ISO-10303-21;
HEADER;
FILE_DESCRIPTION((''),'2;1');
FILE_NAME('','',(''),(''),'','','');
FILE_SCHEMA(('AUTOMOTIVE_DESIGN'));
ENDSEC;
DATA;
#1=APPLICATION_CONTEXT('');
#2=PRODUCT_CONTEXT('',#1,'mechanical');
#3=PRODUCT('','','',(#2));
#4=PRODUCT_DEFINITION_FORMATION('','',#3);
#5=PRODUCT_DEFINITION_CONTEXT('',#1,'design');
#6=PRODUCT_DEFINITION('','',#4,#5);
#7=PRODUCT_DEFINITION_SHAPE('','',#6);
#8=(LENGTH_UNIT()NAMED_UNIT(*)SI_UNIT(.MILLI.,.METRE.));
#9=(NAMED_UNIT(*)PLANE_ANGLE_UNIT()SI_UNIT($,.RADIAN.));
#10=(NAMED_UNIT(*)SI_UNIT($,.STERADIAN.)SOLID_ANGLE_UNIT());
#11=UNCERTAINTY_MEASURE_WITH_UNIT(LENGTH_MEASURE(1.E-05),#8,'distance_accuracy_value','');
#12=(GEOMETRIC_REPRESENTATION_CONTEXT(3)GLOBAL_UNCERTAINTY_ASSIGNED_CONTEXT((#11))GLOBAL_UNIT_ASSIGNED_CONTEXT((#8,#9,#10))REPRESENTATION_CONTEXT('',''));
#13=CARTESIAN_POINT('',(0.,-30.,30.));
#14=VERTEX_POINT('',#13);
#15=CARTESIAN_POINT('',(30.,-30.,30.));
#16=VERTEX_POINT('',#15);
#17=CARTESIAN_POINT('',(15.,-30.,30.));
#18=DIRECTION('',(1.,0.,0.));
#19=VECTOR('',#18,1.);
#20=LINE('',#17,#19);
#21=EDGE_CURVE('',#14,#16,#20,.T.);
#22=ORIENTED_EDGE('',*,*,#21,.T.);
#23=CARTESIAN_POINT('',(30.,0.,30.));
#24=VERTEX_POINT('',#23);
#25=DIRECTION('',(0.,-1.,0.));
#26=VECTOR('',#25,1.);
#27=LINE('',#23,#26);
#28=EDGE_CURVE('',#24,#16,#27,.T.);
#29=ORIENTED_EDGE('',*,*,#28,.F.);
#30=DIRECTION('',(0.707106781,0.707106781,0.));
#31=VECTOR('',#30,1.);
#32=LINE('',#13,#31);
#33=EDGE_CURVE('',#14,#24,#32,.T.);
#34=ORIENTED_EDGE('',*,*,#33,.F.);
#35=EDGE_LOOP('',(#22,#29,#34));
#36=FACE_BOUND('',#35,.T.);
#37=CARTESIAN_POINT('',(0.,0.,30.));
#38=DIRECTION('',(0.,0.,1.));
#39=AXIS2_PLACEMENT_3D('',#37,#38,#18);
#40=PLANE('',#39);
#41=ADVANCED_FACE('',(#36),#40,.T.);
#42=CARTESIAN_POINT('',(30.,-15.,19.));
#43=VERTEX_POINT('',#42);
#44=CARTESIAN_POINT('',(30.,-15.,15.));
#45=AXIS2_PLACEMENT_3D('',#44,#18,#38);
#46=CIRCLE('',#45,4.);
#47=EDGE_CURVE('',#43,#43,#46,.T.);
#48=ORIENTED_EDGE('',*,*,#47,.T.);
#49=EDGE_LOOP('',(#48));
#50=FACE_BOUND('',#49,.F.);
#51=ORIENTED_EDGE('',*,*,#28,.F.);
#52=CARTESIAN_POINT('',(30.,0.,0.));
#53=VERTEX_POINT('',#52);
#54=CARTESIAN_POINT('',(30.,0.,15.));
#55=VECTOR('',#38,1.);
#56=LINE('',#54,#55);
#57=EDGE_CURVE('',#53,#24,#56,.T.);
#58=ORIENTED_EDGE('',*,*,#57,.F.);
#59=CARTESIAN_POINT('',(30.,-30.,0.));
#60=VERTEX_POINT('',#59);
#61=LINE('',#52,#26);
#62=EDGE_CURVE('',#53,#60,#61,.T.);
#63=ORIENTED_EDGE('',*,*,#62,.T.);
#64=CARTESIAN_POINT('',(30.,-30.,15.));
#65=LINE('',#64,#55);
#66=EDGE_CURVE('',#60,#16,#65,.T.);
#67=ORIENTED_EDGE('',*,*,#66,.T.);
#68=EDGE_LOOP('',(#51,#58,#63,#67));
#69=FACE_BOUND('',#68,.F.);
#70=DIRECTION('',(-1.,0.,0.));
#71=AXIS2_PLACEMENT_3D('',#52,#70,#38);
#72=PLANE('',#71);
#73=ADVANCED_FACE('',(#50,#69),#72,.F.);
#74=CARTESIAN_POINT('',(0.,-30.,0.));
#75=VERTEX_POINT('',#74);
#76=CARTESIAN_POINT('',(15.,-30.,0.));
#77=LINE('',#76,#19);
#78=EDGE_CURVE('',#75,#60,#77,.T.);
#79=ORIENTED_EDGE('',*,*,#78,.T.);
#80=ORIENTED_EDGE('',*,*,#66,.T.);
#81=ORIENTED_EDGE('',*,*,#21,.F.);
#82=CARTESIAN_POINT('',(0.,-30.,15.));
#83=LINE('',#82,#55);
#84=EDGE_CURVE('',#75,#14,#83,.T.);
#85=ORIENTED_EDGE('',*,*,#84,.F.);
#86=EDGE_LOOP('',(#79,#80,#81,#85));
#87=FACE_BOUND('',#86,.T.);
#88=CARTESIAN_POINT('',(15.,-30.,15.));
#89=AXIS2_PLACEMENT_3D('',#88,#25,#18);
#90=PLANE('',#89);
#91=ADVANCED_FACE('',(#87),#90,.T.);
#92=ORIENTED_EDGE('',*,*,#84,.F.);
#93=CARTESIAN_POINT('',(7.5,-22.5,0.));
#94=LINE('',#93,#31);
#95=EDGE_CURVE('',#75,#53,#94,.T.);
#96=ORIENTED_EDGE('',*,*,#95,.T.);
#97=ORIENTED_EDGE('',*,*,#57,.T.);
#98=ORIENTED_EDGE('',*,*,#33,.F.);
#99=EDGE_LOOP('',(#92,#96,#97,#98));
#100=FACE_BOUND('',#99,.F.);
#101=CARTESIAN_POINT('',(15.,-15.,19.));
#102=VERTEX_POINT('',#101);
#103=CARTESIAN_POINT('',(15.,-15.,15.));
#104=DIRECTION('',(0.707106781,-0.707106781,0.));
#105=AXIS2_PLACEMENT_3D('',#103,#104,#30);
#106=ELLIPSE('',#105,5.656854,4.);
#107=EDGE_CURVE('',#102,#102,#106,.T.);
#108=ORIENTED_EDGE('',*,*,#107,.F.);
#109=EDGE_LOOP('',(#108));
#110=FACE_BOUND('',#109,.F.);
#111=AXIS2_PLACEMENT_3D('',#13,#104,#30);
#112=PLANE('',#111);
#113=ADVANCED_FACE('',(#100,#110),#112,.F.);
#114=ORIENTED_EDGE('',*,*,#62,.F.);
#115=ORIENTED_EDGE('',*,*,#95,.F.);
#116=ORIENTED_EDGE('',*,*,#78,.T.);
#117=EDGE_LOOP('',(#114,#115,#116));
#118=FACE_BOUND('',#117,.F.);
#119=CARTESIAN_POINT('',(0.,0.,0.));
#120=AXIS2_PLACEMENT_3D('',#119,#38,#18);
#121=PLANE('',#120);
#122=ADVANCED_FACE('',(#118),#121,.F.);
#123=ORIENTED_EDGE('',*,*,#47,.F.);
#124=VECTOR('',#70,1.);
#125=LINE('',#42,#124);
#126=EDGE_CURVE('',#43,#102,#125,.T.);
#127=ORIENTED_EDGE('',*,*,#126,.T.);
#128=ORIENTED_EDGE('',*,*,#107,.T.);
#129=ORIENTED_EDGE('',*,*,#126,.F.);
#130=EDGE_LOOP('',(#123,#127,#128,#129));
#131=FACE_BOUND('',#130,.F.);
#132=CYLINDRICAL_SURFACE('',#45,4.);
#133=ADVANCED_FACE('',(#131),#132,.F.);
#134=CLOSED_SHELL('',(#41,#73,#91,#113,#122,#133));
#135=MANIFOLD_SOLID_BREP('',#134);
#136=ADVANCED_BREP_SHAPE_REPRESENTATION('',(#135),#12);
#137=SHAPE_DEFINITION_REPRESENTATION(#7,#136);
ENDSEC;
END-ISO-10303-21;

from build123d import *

# Parameters (mm, degrees)
SKETCH_W        = 30
SKETCH_H        = 30
PAD_DEPTH       = 30
POCKET_DEPTH    = 30.001
SKETCH002_R     = 4
POCKET001_DEPTH = 30.001


with BuildPart() as part:
    # Sketch → Pad (new body)
    with BuildSketch(Plane.XZ):
        with Locations((15, 15)):
            Rectangle(SKETCH_W, SKETCH_H)
    extrude(amount=PAD_DEPTH)

    # Sketch001 (on Face3 of Pad) → Pocket (cut, through all)
    with BuildSketch(Plane(origin=(0, 0, 30), x_dir=(-1, 0, 0), z_dir=(0, 0, 1))):
        Polygon((0, 0), (0, 30), (-30, 0), align=None)
    extrude(amount=-POCKET_DEPTH, mode=Mode.SUBTRACT)

    # Sketch002 (on Face3 of Pocket) → Pocket001 (cut, through all)
    with BuildSketch(Plane(origin=(30, 0, 0), x_dir=(0, 0, 1), z_dir=(1, 0, 0))):
        with Locations((15, 15)):
            Circle(SKETCH002_R)
    extrude(amount=-POCKET001_DEPTH, mode=Mode.SUBTRACT)


solid = part.part
